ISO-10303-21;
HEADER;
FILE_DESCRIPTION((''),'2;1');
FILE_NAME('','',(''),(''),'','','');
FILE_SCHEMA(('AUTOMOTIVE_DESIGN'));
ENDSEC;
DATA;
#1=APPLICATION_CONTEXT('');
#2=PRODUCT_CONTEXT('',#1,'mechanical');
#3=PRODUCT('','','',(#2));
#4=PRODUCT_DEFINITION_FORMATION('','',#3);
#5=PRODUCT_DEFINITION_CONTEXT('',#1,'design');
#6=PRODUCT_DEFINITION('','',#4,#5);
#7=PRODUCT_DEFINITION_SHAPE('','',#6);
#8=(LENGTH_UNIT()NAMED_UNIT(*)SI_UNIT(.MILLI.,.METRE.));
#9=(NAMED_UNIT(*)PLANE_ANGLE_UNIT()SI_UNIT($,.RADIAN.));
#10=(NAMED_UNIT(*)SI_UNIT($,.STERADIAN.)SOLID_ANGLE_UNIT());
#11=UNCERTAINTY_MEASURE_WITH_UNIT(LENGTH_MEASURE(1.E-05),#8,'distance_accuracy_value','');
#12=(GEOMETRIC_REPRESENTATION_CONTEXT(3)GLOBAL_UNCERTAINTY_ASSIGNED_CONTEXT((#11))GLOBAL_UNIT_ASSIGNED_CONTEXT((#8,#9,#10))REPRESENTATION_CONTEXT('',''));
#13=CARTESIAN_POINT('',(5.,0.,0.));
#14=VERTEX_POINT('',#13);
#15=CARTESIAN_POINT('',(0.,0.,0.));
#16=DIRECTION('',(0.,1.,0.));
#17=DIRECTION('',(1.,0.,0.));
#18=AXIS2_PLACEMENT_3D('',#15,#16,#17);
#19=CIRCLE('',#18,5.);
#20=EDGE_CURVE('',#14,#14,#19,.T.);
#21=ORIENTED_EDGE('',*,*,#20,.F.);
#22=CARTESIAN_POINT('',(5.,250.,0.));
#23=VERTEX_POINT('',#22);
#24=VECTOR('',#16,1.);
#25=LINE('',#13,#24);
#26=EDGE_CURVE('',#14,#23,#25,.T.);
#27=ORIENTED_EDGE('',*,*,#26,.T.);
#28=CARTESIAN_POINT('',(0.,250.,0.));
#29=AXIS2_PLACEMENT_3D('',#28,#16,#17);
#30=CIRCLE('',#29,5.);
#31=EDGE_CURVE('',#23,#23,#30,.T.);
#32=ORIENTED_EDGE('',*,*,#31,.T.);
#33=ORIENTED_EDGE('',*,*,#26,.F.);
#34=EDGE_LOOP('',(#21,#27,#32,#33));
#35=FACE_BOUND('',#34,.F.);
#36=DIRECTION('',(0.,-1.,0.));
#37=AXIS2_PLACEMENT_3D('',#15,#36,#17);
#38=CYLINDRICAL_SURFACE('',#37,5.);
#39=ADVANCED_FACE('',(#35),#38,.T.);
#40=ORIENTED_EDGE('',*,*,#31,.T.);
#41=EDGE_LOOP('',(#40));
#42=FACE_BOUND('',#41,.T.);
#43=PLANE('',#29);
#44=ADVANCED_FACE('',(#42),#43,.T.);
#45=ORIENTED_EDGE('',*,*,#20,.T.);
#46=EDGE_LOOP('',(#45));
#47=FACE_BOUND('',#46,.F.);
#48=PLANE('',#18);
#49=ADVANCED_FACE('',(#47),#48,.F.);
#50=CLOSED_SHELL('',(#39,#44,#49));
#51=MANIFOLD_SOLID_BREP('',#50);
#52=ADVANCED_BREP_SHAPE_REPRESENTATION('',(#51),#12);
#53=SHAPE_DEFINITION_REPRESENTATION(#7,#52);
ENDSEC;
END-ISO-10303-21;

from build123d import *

# Parameters (mm, degrees)
SKETCH1_R           = 5
BOSS_EXTRUDE1_DEPTH = 250


with BuildPart() as part:
    # Sketch1 → Boss-Extrude1 (new body)
    with BuildSketch(Plane(origin=(0, 0, 0), x_dir=(1, 0, 0), z_dir=(0, 1, 0))):
        Circle(SKETCH1_R)
    extrude(amount=BOSS_EXTRUDE1_DEPTH)


solid = part.part
